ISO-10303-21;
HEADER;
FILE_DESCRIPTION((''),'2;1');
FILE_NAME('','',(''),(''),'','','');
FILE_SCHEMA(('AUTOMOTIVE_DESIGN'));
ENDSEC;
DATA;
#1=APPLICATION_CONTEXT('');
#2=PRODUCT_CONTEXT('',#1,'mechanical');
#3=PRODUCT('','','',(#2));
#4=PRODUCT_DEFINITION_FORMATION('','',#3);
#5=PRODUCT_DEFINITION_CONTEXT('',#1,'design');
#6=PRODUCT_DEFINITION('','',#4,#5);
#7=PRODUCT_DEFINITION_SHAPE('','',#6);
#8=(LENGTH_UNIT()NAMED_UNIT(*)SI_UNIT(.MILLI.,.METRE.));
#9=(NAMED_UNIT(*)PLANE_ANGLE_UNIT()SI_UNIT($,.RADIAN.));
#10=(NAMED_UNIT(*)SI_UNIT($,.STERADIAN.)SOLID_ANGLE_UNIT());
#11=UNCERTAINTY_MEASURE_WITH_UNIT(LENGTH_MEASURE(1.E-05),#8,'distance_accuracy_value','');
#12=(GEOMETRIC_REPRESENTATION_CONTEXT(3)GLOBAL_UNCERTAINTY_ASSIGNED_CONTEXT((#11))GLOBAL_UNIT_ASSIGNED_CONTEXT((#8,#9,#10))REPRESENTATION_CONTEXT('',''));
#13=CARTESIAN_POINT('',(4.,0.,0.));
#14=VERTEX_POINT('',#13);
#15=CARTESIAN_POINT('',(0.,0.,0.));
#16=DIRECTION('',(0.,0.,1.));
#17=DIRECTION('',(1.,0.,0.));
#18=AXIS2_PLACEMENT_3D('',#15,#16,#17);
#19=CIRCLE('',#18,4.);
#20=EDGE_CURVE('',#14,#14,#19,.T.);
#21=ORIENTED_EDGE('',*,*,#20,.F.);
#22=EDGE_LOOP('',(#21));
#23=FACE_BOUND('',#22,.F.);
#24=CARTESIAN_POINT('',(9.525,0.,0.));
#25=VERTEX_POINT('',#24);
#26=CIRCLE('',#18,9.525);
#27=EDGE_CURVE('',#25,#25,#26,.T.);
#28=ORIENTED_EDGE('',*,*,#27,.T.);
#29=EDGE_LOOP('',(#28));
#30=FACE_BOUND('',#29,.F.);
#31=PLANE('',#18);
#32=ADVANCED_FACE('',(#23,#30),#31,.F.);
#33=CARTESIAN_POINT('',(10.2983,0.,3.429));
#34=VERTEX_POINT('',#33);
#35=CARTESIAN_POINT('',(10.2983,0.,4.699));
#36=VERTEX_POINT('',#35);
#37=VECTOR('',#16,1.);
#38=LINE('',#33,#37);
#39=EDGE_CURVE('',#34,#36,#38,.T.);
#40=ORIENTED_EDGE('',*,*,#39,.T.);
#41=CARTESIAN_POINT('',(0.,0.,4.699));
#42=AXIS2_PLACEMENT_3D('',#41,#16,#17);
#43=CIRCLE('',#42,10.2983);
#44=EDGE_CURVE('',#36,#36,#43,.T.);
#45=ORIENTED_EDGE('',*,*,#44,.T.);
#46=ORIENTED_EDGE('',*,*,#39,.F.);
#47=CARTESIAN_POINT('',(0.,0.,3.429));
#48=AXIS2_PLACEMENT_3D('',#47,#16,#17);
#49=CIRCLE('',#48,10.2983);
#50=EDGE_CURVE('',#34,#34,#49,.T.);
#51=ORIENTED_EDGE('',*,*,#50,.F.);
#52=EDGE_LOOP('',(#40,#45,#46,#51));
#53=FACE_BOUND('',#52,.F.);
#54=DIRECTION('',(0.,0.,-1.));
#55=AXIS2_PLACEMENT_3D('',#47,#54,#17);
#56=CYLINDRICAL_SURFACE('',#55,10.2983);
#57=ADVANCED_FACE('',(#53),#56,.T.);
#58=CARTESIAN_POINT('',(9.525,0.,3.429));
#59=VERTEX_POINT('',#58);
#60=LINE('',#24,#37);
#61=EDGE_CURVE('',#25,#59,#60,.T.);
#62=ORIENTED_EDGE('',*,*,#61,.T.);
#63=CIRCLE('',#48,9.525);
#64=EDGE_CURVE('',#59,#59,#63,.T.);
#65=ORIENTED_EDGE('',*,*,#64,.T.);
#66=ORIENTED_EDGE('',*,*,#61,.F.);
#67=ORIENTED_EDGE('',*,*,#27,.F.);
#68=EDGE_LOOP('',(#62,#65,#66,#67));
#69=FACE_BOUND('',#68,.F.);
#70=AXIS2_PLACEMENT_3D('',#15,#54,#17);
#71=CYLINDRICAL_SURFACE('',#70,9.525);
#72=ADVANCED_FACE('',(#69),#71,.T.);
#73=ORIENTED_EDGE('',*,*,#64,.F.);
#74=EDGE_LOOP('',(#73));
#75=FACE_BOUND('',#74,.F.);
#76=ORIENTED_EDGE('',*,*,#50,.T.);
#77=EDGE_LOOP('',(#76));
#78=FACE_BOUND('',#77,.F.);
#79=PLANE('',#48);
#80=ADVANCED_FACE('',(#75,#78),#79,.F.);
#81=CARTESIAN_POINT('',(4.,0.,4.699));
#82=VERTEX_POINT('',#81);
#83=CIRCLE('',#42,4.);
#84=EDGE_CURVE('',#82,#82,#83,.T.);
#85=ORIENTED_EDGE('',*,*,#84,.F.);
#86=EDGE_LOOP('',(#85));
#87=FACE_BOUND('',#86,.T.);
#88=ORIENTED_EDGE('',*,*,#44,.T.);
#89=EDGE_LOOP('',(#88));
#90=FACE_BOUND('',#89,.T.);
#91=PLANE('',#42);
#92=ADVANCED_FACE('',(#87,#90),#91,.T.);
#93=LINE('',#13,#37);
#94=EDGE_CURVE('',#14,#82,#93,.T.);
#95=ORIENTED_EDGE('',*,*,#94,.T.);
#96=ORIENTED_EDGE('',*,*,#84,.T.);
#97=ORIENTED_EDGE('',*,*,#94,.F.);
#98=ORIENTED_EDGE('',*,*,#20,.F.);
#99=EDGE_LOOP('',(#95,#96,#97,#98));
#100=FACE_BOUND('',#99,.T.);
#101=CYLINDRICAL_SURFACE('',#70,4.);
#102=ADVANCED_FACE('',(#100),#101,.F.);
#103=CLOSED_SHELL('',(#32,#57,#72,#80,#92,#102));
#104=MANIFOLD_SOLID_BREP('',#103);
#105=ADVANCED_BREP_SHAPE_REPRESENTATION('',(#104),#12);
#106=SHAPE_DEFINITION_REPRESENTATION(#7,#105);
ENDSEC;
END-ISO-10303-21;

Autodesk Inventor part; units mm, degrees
ref_plane "YZ Plane" through (0, 0, 0) normal (1, 0, 0) x (0, 1, 0)
ref_plane "XZ Plane" through (0, 0, 0) normal (0, 1, 0) x (-1, 0, 0)
ref_plane "XY Plane" through (0, 0, 0) normal (0, 0, 1) x (1, 0, 0)
sketch "Sketch1" plane through (0, 0, 0) normal (0, 0, 1) x (1, 0, 0)
  circle A0 centre (0, 0) radius 9.525
  circle A1 centre (0, 0) radius 4
  dimension "d0" = 19.05
  dimension "d1" = 8
extrude "Extrusion1" add sketch "Sketch1" along normal blind 3.429
sketch "Sketch2" plane through (0, 0, 3.429) normal (0, 0, 1) x (1, 0, 0)
  circle A0 centre (0, 0) radius 10.2983
  circle A1 centre (0, 0) radius 4
extrude "Extrusion2" add sketch "Sketch2" along normal blind 1.27
properties part number "Diff 8mm Bearing"
